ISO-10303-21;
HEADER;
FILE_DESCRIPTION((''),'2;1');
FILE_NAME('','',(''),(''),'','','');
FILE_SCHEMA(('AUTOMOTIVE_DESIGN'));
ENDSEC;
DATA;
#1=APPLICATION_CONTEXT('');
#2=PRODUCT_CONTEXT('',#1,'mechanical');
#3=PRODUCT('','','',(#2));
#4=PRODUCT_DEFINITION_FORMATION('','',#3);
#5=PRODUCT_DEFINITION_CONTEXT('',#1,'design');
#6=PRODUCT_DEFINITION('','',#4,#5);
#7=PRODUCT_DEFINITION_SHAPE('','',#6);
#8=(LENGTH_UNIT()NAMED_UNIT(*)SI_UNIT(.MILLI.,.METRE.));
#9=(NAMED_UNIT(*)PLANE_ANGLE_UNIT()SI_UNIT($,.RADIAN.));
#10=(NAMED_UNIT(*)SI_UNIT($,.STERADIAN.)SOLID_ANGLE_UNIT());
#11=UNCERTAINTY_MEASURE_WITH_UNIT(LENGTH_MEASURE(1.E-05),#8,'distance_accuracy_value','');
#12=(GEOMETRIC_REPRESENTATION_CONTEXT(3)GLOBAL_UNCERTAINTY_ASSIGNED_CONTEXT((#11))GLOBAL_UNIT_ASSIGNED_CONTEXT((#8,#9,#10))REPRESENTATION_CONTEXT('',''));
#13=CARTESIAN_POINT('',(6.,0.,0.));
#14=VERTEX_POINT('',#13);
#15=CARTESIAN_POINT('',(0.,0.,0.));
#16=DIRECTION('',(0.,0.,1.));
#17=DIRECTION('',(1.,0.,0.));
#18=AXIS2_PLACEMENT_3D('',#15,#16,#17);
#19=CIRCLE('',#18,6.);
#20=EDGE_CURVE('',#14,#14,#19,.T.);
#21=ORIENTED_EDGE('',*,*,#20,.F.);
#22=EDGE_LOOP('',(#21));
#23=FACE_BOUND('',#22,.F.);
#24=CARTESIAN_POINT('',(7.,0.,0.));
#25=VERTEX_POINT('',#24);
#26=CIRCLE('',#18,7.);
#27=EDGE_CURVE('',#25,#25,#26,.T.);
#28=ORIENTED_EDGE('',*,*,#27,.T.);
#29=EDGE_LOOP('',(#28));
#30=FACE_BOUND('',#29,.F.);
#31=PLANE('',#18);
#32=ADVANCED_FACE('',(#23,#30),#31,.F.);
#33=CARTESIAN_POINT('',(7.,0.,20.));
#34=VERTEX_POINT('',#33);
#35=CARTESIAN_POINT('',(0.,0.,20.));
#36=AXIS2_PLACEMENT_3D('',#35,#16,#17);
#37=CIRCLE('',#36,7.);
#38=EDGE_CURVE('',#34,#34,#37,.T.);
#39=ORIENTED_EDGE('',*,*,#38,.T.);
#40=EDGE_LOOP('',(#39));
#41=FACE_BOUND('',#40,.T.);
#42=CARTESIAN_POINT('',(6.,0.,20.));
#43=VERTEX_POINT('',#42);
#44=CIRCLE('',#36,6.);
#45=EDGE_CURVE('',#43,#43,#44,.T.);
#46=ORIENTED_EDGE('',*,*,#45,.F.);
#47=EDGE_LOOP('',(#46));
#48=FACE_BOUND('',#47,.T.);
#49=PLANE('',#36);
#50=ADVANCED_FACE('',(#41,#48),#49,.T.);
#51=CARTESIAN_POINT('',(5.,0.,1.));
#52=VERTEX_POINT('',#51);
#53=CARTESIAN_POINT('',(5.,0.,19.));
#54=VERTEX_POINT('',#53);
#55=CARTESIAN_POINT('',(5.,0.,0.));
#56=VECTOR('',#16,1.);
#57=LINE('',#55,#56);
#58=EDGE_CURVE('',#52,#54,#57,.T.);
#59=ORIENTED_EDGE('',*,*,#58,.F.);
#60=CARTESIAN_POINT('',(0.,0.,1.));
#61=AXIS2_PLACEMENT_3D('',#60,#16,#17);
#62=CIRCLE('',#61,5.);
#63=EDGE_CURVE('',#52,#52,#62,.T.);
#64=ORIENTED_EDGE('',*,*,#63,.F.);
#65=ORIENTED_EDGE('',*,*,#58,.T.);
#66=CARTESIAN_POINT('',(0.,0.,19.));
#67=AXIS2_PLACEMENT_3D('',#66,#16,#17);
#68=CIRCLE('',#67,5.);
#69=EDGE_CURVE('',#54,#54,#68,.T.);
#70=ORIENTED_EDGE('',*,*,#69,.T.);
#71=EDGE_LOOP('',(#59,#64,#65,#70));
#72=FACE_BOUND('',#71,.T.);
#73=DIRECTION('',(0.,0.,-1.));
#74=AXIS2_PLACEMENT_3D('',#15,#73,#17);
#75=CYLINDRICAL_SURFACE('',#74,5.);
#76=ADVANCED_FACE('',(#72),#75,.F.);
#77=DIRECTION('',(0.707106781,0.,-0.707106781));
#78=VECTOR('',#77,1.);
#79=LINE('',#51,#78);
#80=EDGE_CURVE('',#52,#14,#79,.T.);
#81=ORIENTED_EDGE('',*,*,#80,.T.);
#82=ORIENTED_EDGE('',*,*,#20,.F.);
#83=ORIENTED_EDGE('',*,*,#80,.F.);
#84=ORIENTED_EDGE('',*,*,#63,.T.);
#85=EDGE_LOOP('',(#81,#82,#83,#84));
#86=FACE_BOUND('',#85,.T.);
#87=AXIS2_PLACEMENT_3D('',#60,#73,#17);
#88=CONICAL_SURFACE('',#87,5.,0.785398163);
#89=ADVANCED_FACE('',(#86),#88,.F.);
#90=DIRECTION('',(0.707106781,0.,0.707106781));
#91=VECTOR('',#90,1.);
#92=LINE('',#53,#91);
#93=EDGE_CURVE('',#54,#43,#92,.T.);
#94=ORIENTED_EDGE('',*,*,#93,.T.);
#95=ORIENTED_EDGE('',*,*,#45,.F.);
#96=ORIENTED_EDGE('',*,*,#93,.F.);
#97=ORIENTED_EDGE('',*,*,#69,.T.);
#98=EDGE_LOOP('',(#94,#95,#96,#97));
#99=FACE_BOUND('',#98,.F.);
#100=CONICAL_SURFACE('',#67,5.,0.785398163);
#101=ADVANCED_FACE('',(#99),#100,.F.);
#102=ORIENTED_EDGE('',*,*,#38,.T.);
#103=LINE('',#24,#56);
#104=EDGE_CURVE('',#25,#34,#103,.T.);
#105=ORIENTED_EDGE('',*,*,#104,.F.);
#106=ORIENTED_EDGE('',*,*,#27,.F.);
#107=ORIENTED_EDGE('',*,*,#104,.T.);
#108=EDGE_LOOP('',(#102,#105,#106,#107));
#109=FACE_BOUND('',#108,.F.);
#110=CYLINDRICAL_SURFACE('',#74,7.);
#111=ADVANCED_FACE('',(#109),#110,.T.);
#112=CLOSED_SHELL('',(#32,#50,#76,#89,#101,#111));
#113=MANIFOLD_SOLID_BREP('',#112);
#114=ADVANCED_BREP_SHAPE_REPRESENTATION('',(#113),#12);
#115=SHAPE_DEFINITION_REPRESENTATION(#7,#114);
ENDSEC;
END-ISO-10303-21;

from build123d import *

# Parameters (mm, degrees)
SKETCH_R        = 7
SKETCH_R_2      = 5
PAD_DEPTH       = 20
CHAMFER_SIZE    = 1
CHAMFER001_SIZE = 1


with BuildPart() as part:
    # Sketch → Pad (new body)
    with BuildSketch(Plane.XY):
        Circle(SKETCH_R)
        Circle(SKETCH_R_2, mode=Mode.SUBTRACT)
    extrude(amount=PAD_DEPTH)

    # Chamfer
    chamfer_edges = [part.edges().sort_by_distance(p)[0] for p in [
        (-5, 0, 20),
    ]]
    chamfer(chamfer_edges, length=CHAMFER_SIZE)

    # Chamfer001
    chamfer001_edges = [part.edges().sort_by_distance(p)[0] for p in [
        (-5, 0, 0),
    ]]
    chamfer(chamfer001_edges, length=CHAMFER001_SIZE)


solid = part.part
